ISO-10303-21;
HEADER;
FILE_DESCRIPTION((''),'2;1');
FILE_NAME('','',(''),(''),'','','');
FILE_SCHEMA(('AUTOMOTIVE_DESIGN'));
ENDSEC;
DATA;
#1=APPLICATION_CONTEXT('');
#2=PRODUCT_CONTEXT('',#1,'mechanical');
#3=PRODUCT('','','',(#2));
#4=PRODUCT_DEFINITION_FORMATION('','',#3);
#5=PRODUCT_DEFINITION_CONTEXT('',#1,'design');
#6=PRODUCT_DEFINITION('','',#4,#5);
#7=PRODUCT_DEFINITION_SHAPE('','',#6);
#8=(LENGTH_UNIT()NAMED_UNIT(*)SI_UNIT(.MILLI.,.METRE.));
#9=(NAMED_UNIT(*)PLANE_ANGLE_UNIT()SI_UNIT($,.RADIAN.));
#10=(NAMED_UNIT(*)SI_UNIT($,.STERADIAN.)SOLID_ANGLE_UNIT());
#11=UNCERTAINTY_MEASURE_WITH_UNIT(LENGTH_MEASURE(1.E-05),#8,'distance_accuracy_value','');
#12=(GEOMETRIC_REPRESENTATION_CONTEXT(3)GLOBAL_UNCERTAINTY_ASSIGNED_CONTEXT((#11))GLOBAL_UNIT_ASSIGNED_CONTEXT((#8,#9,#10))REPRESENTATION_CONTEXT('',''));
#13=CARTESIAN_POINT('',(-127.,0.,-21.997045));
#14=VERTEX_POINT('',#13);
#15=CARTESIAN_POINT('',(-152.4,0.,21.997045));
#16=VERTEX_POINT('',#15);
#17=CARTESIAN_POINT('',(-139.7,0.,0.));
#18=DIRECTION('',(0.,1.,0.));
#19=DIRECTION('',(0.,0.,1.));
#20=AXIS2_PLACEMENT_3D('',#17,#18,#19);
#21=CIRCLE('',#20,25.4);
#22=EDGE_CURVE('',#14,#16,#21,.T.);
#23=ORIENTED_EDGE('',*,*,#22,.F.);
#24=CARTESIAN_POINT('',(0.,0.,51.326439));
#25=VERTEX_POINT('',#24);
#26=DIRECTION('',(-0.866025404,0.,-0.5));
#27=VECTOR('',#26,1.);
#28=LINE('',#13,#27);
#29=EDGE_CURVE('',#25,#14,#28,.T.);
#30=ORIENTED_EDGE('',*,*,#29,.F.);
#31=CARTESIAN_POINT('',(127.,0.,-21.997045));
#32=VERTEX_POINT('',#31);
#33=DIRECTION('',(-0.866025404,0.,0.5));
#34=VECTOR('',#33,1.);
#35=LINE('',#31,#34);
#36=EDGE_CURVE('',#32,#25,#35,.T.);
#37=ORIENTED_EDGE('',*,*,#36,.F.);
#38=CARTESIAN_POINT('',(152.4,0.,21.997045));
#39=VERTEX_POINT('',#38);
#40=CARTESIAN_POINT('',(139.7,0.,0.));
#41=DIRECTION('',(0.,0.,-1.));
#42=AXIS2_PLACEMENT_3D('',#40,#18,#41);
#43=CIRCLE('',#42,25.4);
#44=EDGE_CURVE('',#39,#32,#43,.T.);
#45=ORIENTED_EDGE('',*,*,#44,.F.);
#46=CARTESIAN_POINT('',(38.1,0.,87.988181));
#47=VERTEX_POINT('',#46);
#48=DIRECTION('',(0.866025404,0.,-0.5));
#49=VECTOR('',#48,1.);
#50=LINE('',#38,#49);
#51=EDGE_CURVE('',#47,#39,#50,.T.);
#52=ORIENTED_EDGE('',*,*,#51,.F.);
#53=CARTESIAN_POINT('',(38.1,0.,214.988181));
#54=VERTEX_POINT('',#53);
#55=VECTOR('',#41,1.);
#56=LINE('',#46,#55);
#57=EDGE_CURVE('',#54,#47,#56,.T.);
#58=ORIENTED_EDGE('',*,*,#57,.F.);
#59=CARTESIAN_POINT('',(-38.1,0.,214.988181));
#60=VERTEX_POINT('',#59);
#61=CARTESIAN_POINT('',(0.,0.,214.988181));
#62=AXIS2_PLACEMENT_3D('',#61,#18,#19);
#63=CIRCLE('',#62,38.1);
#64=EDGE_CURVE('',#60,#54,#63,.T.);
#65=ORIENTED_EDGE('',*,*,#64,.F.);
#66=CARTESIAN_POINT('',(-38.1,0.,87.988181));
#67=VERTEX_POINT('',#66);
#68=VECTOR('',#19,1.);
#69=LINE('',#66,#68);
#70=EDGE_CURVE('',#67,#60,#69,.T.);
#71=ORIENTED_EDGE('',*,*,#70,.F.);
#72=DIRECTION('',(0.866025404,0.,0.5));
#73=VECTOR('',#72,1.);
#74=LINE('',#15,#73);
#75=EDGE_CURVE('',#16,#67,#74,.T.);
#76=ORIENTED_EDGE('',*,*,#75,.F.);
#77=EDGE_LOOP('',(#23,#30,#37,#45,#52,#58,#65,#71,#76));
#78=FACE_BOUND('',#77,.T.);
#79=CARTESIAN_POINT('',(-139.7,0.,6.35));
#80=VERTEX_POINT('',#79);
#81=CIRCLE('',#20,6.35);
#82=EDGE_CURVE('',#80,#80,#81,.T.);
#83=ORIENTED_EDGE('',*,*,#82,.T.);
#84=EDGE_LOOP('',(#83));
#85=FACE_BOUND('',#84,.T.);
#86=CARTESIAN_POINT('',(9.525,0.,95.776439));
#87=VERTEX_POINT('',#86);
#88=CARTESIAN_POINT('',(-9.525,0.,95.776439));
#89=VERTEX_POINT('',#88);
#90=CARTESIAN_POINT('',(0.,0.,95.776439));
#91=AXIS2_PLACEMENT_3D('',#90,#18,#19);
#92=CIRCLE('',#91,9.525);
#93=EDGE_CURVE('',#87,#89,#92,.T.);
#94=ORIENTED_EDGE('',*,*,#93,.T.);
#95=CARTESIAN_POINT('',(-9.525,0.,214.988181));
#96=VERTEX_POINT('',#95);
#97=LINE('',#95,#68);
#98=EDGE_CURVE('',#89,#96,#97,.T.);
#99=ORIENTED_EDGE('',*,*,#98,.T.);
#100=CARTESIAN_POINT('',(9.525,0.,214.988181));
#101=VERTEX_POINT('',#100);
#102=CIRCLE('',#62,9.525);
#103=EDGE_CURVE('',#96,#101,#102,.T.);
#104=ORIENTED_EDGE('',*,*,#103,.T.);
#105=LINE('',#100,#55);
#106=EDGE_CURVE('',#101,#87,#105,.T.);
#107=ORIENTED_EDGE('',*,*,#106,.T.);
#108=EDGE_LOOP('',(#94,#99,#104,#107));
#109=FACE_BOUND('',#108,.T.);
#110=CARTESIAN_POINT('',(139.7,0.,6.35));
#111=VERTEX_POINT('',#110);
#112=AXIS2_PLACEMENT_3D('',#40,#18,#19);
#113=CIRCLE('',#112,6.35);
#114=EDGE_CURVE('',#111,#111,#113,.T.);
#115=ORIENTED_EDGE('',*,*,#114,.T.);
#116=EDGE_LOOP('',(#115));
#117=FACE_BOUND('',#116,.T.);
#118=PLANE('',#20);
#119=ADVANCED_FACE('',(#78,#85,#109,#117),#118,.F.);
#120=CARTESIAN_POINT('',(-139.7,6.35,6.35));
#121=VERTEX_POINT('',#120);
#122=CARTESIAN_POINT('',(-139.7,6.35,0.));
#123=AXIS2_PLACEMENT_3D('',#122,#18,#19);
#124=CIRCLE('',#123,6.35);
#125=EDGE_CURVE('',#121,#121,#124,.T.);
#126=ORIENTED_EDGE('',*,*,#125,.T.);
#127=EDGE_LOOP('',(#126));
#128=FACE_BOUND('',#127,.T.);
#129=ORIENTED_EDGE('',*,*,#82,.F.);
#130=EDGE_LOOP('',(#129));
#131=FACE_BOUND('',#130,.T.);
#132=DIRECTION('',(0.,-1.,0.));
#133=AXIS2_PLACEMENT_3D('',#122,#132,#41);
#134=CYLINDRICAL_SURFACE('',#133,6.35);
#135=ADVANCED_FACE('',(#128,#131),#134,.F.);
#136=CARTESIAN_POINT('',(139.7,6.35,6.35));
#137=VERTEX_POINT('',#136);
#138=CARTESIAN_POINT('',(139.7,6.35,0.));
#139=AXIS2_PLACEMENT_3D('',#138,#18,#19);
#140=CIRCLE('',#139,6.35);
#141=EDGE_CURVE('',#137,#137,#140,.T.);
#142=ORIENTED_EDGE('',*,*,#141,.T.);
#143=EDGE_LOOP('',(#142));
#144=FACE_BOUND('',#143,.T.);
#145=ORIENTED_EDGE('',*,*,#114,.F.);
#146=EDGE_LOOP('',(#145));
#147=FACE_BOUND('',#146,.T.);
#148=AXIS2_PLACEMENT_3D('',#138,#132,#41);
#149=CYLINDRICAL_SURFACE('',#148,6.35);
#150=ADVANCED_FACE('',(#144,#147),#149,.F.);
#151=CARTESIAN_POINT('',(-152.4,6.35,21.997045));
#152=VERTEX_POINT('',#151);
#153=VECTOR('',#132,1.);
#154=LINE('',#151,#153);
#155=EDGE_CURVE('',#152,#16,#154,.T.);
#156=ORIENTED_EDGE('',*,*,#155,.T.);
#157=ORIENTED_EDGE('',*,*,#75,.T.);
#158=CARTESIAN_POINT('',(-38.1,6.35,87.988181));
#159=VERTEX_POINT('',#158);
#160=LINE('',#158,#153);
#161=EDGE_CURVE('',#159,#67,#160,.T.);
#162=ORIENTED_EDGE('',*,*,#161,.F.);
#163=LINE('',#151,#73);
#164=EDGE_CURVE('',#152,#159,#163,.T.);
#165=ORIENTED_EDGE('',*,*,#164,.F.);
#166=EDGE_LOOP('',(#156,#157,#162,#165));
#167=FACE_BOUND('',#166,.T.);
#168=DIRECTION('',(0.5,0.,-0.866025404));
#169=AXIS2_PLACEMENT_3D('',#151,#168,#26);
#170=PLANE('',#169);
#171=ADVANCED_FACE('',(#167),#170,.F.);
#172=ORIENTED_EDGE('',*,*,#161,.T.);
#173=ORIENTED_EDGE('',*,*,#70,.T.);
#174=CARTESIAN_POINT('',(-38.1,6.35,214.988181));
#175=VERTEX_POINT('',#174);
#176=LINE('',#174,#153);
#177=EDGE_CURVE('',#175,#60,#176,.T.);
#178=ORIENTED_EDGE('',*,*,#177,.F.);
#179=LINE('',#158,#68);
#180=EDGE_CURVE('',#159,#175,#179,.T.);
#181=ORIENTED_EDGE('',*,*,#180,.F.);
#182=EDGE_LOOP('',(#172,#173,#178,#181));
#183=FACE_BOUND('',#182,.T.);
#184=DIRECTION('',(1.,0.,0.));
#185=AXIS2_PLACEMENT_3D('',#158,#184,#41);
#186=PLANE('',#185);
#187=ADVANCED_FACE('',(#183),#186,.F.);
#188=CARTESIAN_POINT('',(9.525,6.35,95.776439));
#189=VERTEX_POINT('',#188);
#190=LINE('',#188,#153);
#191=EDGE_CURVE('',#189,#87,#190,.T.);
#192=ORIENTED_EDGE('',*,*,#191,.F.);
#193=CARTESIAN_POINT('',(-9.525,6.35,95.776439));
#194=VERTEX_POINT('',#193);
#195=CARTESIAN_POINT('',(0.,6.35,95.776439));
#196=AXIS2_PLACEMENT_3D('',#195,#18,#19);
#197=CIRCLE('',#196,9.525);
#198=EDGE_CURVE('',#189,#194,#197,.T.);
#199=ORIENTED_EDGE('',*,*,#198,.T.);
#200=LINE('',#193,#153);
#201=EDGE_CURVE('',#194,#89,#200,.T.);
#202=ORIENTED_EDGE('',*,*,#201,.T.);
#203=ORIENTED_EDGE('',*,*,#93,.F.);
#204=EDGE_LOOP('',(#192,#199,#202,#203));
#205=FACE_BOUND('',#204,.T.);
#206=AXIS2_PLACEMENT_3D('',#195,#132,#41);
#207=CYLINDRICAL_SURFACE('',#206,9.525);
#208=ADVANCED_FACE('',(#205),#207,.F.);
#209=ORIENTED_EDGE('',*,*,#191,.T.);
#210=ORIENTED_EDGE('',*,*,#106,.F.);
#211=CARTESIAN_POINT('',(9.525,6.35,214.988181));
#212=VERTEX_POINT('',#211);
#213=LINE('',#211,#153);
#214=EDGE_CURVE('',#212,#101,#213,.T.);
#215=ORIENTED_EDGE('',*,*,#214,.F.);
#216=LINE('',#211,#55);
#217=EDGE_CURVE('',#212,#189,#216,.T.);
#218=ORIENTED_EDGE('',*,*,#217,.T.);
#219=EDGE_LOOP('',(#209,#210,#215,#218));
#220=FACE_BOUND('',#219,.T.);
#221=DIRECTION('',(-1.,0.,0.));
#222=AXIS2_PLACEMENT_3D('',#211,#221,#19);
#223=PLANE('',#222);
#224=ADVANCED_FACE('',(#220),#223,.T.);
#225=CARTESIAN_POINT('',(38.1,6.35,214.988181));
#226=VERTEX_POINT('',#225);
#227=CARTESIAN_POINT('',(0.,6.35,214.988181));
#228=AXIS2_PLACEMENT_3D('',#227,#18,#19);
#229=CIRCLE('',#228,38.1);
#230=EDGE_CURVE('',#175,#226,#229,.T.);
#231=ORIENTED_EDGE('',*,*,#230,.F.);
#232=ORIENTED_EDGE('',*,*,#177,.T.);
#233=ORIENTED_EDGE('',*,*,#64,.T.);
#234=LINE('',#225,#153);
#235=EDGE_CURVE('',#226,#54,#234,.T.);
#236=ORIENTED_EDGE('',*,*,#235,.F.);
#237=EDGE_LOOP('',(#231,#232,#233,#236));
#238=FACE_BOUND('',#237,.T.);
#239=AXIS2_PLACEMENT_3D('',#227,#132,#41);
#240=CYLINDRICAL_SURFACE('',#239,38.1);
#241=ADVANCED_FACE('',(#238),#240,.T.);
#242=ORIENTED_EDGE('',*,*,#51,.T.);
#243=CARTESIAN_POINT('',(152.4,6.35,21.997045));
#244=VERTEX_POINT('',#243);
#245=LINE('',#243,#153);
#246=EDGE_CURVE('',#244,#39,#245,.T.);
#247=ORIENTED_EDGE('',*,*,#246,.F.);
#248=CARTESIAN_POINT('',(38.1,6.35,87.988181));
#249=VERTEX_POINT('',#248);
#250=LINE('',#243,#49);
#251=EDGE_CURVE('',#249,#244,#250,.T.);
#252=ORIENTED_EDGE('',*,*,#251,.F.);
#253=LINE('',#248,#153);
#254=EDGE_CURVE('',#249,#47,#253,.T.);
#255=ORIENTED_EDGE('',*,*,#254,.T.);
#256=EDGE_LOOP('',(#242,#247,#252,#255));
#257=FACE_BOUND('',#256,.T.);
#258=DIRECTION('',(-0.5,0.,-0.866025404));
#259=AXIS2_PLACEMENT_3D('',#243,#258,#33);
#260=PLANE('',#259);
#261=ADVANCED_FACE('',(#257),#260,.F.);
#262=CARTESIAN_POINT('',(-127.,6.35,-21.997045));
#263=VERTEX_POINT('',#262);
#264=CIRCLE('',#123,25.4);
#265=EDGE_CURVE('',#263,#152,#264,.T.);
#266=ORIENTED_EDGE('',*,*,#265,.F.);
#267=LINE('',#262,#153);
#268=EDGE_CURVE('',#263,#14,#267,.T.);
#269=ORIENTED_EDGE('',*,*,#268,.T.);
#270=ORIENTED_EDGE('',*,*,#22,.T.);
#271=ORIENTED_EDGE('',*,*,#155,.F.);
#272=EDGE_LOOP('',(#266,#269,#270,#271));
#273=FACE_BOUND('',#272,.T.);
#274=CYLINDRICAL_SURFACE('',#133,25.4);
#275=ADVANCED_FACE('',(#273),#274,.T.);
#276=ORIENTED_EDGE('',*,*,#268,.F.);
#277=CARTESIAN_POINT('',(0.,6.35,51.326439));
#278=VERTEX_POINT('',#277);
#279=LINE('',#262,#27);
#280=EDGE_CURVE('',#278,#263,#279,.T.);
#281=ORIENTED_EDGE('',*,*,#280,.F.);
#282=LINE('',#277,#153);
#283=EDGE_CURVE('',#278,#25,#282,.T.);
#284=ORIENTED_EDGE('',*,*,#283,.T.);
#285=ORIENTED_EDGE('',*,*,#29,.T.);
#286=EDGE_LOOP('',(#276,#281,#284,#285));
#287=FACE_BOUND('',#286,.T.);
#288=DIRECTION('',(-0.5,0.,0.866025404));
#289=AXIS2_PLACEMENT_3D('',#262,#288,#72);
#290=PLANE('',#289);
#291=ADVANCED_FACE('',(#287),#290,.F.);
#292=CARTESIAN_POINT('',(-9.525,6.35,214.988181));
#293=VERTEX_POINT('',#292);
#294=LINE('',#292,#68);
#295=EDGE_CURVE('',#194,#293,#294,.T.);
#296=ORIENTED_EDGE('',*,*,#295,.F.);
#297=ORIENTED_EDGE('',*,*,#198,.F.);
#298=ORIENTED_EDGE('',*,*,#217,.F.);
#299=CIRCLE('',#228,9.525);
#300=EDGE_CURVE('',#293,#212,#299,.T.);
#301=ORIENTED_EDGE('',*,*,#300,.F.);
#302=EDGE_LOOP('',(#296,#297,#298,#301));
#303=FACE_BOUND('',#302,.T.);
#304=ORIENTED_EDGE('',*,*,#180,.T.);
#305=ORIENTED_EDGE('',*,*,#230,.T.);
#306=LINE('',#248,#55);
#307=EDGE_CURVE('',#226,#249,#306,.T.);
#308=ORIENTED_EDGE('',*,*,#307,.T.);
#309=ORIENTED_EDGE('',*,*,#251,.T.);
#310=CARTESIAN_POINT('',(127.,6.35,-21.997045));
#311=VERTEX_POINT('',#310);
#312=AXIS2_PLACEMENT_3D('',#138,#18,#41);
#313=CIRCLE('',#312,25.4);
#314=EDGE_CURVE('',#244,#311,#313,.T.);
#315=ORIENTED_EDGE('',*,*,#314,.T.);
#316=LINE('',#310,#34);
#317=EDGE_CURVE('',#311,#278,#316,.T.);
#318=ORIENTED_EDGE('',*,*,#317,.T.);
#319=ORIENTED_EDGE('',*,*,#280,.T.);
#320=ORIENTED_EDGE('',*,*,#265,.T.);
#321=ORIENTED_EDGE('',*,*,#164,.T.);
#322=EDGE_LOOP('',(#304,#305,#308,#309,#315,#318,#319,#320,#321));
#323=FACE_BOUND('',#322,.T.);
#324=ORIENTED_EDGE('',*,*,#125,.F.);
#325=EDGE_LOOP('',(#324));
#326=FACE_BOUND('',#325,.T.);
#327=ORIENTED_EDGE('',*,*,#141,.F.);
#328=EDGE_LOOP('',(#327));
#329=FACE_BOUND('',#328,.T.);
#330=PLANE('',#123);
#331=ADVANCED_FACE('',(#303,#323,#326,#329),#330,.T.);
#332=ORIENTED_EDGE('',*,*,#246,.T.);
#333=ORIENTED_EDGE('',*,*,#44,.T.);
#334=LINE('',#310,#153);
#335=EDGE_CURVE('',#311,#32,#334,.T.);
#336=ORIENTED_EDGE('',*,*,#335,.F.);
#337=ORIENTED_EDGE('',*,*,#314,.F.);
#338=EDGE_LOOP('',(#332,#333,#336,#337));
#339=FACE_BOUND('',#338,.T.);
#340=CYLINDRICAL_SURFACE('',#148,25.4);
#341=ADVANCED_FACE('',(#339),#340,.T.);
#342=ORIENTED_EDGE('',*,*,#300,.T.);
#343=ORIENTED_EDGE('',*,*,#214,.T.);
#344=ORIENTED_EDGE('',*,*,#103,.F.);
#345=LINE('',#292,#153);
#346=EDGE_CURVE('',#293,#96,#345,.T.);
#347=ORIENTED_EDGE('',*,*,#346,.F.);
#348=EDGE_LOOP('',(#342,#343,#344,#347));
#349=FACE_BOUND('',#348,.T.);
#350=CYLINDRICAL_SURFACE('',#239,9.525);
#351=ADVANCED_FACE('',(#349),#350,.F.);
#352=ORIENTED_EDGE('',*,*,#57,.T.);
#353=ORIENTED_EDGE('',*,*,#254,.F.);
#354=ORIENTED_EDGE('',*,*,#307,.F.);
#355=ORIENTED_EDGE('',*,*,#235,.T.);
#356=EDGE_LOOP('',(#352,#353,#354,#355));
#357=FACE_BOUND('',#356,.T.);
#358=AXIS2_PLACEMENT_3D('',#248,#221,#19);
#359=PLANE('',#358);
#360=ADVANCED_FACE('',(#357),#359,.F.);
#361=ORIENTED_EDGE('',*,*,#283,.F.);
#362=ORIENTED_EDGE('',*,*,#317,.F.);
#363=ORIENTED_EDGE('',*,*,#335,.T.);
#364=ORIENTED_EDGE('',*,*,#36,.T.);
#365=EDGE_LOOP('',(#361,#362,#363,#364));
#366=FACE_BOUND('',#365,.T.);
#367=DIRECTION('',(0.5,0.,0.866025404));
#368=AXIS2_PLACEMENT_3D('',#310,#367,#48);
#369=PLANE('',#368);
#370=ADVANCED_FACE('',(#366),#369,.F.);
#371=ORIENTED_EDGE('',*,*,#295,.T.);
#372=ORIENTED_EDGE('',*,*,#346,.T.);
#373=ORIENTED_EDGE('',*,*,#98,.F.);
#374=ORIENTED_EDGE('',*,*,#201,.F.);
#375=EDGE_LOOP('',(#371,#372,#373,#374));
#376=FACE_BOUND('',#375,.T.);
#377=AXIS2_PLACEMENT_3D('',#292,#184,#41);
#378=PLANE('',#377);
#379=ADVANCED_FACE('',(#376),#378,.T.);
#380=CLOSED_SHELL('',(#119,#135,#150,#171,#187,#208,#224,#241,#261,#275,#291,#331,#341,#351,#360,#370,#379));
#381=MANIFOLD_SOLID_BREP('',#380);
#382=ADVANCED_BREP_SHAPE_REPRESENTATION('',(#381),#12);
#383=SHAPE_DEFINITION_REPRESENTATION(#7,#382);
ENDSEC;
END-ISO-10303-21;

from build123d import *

# Parameters (mm, degrees)
SKETCH1_R           = 6.35
BOSS_EXTRUDE1_DEPTH = 6.35


with BuildPart() as part:
    # Sketch1 → Boss-Extrude1 (new body)
    with BuildSketch(Plane(origin=(0, 0, 0), x_dir=(1, 0, 0), z_dir=(0, 1, 0))):
        with BuildLine():
            Line((-127, 21.997045256), (0, -51.326438931))
            Line((0, -51.326438931), (127, 21.997045256))
            ThreePointArc((127, 21.997045256), (161.697045256, 12.7), (152.4, -21.997045256))
            Line((152.4, -21.997045256), (38.1, -87.988181024))
            Line((38.1, -87.988181024), (38.1, -214.988181024))
            ThreePointArc((38.1, -214.988181024), (0, -253.088181024), (-38.1, -214.988181024))
            Line((-38.1, -214.988181024), (-38.1, -87.988181024))
            Line((-38.1, -87.988181024), (-152.4, -21.997045256))
            ThreePointArc((-152.4, -21.997045256), (-161.697045256, 12.7), (-127, 21.997045256))
        make_face()
        with Locations(Location((-139.7, 0, 0), (0, 0, 270))):
            Circle(SKETCH1_R, mode=Mode.SUBTRACT)
        with Locations(Location((139.7, 0, 0), (0, 0, 270))):
            Circle(SKETCH1_R, mode=Mode.SUBTRACT)
        with BuildLine():
            Line((-9.525, -214.988181024), (-9.525, -95.776438931))
            ThreePointArc((-9.525, -95.776438931), (0, -86.251438931), (9.525, -95.776438931))
            Line((9.525, -95.776438931), (9.525, -214.988181024))
            ThreePointArc((9.525, -214.988181024), (0, -224.513181024), (-9.525, -214.988181024))
        make_face(mode=Mode.SUBTRACT)
    extrude(amount=BOSS_EXTRUDE1_DEPTH)


solid = part.part
